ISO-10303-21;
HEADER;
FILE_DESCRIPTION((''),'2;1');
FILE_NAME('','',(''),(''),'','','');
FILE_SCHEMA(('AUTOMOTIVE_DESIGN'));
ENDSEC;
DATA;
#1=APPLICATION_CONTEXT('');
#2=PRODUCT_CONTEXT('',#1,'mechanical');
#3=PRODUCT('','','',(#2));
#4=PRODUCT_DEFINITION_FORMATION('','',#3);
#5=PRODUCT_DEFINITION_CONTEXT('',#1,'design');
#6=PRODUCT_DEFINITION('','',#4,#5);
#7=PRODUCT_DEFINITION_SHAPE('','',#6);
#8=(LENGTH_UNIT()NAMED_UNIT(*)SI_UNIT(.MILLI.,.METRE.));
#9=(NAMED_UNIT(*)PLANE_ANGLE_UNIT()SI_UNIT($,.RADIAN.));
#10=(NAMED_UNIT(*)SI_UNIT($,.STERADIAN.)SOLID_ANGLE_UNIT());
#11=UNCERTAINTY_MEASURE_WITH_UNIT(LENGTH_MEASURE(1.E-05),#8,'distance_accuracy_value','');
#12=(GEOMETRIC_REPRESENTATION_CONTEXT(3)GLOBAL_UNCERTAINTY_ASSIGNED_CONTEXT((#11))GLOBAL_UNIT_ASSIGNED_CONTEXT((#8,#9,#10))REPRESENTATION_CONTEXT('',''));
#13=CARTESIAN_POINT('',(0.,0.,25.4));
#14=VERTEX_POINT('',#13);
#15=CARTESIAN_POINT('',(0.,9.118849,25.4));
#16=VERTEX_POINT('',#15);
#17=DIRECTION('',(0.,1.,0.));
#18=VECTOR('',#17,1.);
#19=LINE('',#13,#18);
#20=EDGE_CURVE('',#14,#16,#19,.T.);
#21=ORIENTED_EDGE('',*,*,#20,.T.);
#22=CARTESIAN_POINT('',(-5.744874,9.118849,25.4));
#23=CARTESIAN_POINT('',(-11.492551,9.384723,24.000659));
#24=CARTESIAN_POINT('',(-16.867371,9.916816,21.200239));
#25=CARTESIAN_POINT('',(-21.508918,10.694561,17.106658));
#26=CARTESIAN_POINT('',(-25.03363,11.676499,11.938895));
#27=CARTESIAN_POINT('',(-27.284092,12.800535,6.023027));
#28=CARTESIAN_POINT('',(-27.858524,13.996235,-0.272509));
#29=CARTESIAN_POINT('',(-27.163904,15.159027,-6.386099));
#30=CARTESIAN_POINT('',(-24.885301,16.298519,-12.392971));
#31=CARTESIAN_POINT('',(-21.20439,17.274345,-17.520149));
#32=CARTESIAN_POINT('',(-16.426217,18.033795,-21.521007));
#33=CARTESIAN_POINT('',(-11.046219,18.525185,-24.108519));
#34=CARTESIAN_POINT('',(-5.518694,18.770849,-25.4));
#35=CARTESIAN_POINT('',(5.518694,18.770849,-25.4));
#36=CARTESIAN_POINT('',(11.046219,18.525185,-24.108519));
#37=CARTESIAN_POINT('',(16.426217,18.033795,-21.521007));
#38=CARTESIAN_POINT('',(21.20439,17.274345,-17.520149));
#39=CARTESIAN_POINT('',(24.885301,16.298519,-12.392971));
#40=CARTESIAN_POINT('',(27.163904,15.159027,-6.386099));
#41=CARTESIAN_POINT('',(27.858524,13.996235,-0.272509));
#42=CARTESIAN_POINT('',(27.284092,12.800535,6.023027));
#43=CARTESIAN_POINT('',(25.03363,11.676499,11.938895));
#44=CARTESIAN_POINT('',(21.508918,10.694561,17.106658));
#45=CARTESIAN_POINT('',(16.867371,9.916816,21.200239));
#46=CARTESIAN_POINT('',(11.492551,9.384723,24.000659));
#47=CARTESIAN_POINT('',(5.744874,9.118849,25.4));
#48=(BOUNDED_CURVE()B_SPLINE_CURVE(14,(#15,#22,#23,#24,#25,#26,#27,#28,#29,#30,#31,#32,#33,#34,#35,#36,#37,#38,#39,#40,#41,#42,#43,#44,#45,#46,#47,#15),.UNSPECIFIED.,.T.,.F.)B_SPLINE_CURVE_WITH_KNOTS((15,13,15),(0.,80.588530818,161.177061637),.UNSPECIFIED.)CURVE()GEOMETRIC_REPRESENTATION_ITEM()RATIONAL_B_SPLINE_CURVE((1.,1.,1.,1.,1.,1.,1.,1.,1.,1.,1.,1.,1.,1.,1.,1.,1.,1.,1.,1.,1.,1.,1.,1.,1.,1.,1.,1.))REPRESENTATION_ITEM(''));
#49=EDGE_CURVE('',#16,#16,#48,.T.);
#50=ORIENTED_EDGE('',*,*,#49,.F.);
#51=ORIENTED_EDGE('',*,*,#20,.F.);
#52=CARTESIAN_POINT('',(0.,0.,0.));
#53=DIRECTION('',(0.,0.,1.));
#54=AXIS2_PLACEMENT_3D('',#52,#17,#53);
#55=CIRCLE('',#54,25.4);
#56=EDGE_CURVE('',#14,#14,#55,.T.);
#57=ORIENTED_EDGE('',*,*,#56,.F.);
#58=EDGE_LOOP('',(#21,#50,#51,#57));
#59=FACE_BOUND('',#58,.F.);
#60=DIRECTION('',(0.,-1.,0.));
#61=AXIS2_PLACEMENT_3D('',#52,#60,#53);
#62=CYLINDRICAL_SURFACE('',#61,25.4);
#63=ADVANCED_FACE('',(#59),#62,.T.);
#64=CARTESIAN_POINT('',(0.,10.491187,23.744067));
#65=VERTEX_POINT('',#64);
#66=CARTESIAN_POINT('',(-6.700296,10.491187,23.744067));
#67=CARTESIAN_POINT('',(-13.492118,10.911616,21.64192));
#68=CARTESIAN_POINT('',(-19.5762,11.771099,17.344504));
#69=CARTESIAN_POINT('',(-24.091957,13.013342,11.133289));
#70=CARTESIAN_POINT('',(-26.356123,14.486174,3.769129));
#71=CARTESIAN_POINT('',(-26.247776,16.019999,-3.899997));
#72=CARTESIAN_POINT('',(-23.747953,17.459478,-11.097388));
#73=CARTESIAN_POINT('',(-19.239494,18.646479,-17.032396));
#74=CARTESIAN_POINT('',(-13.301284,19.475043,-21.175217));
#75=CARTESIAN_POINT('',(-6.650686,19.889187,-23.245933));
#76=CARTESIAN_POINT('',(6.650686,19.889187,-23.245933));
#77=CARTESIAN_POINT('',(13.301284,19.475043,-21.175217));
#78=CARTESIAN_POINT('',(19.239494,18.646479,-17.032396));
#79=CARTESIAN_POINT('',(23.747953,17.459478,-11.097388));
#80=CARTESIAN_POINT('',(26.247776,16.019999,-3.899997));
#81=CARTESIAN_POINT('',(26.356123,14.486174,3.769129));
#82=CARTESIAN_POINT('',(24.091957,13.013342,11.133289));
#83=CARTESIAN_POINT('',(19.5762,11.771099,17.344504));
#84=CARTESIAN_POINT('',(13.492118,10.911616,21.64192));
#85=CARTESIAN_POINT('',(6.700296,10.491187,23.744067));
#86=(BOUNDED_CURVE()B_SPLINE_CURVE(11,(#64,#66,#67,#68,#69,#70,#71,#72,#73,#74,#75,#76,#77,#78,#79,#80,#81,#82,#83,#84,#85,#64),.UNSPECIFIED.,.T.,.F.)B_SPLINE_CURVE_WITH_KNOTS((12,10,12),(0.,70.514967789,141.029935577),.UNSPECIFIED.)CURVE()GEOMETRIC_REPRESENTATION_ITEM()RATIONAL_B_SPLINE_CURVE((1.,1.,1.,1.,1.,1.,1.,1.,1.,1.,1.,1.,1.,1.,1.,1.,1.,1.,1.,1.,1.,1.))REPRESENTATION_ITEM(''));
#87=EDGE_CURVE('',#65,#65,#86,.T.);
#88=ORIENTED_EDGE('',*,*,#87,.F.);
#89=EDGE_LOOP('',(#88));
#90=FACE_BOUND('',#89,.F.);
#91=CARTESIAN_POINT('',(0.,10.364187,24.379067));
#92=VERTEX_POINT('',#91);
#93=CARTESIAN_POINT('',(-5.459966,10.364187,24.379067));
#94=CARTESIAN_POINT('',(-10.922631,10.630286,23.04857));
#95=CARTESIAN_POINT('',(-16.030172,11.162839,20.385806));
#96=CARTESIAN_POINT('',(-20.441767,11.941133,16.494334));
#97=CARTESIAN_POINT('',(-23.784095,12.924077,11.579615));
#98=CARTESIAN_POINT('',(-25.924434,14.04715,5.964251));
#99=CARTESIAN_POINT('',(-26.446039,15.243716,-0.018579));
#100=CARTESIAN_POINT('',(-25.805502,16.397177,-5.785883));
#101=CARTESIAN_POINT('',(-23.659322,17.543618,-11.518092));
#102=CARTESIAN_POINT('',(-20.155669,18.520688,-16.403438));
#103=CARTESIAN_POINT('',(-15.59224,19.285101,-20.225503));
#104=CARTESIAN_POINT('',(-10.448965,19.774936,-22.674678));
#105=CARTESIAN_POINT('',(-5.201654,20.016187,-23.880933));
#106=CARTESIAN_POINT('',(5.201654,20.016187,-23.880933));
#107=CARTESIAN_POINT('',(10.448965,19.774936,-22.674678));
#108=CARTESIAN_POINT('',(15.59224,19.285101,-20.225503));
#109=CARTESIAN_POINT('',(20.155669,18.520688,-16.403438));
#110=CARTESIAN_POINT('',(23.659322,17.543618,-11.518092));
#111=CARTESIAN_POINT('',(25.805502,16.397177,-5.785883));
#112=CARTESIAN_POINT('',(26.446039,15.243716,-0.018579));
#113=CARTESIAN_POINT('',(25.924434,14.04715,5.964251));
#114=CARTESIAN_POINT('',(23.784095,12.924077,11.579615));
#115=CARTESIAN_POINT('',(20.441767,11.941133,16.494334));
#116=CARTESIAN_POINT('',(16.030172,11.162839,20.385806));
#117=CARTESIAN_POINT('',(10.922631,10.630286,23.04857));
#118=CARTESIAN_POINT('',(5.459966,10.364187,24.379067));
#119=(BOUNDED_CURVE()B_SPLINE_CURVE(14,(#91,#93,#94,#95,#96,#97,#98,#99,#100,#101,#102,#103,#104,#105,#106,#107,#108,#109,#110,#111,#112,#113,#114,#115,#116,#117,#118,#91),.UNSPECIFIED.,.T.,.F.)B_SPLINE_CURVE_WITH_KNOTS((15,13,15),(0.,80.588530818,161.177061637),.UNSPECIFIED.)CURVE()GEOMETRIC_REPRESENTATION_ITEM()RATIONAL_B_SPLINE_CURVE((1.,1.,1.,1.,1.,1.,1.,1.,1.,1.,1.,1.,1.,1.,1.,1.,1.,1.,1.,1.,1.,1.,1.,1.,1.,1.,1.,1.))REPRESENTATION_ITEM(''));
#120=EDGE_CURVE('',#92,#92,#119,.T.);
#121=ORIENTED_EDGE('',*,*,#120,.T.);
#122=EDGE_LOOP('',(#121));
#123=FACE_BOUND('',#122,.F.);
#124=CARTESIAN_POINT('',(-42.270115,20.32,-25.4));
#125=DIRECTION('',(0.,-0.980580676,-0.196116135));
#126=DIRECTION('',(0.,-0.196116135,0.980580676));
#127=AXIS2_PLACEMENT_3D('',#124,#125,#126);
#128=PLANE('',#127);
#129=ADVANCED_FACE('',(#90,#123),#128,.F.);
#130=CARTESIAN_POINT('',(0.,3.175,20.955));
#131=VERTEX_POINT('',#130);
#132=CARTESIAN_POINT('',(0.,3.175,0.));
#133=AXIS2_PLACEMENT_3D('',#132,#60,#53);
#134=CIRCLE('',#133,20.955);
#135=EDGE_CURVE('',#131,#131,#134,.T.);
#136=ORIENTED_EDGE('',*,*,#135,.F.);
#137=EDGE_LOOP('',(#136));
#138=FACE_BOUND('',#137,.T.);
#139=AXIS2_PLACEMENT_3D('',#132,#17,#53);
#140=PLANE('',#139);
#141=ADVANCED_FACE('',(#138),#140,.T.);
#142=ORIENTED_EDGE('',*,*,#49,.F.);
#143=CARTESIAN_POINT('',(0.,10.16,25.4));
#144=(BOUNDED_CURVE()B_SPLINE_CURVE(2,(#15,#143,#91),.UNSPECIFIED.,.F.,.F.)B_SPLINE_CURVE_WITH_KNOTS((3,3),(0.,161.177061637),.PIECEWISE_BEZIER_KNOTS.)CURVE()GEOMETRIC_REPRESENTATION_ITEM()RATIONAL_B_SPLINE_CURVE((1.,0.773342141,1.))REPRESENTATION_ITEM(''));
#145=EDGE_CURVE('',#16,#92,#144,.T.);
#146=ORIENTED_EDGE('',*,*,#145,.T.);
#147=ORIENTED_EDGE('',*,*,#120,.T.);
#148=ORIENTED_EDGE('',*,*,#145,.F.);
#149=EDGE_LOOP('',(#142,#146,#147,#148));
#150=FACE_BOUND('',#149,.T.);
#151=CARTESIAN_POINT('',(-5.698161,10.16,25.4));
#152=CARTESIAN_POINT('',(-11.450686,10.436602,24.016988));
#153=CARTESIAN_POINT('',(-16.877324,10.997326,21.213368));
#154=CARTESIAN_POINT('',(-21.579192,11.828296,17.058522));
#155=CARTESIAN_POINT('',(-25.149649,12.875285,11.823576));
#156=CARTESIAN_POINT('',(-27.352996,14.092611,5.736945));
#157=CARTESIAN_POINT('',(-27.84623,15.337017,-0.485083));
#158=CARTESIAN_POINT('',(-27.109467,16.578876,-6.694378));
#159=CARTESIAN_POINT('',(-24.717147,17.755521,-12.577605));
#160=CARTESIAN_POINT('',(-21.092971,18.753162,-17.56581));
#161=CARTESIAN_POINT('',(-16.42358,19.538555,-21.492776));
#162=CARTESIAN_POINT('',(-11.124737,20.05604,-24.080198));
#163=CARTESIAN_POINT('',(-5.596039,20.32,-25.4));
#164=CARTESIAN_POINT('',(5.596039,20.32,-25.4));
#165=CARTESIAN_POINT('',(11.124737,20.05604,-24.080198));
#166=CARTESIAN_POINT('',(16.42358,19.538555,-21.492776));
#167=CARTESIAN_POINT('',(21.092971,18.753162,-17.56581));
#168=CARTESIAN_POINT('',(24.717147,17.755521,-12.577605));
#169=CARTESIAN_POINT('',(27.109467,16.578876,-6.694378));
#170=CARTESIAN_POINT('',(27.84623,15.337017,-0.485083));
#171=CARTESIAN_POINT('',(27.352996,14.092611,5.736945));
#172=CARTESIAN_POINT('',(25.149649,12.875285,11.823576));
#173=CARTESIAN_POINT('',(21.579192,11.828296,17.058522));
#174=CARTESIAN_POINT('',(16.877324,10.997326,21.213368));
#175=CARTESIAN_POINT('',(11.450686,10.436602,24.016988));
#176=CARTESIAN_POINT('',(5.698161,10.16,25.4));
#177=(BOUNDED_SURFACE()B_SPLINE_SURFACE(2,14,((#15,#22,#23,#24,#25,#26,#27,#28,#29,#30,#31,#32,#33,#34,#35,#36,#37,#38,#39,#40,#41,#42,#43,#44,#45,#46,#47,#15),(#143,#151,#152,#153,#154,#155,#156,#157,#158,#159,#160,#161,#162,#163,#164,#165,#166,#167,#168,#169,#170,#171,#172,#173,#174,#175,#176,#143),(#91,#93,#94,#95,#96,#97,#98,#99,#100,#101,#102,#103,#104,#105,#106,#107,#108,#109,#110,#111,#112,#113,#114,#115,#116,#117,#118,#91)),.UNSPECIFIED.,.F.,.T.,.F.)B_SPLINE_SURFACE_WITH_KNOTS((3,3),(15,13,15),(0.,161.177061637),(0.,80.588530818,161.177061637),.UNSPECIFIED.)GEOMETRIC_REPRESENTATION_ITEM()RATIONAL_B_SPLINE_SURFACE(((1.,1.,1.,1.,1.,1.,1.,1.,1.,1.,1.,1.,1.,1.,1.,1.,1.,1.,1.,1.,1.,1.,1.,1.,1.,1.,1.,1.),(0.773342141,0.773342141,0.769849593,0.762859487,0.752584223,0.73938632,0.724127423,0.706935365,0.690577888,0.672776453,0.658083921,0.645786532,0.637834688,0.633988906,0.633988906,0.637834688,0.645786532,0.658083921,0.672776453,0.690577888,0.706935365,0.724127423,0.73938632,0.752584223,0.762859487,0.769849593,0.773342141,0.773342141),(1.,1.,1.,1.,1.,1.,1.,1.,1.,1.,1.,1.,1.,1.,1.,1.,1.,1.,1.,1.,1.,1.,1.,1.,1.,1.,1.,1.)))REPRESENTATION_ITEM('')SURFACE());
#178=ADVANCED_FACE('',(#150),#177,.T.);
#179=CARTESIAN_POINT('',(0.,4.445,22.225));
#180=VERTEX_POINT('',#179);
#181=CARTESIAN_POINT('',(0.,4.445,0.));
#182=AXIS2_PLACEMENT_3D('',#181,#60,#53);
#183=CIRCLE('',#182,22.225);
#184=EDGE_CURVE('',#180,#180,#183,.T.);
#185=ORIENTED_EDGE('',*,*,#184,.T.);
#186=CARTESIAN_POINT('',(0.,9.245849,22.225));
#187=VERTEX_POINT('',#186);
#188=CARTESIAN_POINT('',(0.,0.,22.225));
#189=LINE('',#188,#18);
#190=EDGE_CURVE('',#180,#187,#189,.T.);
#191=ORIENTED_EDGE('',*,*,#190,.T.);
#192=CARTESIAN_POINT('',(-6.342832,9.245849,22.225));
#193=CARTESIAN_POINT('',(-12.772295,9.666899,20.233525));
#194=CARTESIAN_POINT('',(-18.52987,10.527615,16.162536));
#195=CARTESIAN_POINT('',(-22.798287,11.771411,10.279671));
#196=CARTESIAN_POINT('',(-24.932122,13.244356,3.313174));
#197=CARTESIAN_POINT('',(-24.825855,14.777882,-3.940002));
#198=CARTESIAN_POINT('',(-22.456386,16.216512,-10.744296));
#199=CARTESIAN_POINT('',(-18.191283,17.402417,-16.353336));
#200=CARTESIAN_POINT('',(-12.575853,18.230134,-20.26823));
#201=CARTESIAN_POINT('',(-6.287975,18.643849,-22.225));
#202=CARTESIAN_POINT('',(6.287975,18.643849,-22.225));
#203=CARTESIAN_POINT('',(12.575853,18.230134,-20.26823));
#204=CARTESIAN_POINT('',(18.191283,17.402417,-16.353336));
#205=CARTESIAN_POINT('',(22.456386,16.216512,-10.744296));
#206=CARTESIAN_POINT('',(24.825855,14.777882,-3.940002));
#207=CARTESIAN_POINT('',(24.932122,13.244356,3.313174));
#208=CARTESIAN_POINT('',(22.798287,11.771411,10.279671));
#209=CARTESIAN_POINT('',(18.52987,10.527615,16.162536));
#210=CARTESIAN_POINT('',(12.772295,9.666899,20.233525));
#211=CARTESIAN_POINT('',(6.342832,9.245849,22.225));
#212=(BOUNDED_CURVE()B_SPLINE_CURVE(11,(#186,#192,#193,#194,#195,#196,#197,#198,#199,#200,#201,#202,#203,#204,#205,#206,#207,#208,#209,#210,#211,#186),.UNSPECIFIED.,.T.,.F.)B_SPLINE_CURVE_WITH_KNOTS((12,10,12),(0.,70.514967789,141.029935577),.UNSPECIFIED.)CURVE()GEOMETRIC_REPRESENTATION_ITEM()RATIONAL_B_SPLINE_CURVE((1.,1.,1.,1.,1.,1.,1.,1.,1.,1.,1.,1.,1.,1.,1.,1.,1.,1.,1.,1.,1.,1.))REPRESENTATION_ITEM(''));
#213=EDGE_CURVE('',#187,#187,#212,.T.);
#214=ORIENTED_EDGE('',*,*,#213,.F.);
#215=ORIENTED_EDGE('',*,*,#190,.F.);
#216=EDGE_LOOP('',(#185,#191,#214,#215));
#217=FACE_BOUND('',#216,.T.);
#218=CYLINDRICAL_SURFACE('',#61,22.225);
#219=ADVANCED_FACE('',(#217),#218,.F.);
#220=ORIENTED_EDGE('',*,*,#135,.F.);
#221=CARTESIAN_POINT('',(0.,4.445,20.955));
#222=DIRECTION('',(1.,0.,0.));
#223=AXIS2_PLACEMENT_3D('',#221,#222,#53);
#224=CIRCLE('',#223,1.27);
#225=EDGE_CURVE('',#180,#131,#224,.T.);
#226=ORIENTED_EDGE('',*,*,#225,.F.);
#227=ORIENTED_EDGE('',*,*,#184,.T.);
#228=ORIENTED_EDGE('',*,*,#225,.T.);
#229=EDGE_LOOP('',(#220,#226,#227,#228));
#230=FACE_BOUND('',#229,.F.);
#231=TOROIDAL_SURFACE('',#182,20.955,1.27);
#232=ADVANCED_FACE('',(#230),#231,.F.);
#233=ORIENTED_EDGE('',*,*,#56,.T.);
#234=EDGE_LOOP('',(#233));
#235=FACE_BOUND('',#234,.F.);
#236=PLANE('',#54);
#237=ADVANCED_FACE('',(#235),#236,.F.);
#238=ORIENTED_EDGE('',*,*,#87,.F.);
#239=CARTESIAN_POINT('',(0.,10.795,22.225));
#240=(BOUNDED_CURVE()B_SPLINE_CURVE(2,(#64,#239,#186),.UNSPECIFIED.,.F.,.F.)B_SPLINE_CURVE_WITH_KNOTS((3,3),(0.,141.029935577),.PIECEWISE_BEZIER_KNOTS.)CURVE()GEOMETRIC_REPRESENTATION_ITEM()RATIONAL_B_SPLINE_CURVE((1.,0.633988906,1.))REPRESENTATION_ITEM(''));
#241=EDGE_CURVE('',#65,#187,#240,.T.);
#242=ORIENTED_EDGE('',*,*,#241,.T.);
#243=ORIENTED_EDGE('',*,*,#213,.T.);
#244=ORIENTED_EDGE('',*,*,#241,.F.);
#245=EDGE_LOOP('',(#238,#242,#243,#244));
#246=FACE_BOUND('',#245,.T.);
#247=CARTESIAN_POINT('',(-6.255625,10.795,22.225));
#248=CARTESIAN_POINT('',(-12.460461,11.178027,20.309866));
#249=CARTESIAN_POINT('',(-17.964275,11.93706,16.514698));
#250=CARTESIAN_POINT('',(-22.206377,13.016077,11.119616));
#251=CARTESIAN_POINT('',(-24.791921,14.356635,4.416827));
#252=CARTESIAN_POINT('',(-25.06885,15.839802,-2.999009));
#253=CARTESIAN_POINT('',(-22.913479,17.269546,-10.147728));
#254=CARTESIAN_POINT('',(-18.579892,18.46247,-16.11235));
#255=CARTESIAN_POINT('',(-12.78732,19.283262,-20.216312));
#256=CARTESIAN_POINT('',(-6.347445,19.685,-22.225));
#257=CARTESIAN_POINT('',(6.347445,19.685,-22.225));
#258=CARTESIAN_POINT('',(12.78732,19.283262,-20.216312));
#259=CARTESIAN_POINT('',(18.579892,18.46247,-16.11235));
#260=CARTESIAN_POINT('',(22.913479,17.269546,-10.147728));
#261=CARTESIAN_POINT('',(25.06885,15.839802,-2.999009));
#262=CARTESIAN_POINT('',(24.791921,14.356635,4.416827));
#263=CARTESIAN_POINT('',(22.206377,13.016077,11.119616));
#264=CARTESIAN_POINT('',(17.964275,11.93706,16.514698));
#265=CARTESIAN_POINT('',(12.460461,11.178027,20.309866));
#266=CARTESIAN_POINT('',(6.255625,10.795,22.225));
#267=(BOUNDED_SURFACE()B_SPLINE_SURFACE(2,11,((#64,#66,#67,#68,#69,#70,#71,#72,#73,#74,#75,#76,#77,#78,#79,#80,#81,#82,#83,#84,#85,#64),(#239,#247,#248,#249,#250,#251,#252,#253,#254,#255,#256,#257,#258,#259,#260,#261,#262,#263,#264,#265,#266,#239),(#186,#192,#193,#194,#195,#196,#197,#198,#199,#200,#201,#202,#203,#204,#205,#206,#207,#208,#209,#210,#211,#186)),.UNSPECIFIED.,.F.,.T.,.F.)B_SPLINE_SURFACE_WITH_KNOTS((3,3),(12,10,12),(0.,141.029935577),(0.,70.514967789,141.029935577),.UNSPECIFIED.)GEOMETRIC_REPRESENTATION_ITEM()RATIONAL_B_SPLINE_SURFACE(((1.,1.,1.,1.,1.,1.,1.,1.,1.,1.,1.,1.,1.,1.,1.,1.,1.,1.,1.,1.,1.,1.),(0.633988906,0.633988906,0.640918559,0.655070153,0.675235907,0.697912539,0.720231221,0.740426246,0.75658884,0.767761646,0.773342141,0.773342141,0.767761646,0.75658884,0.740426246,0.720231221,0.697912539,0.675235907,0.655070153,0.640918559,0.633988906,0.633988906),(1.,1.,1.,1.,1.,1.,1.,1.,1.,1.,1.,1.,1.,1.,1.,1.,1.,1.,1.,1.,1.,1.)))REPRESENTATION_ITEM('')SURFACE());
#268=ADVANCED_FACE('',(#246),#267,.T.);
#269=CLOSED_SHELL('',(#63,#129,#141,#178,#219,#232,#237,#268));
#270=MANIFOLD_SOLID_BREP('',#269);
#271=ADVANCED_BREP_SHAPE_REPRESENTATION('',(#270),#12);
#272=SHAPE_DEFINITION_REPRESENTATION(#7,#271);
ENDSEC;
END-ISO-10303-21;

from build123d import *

# Parameters (mm, degrees)
SKETCH1_R               = 25.4
BOSS_EXTRUDE1_DEPTH     = 20.32
SHELL1_T                = -3.175
CUT_EXTRUDE1_DEPTH      = 42.270115096
CUT_EXTRUDE1_DEPTH_BACK = 42.270115096
FILLET1_R               = 1.27


with BuildPart() as part:
    # Sketch1 → Boss-Extrude1 (new body)
    with BuildSketch(Plane(origin=(0, 0, 0), x_dir=(1, 0, 0), z_dir=(0, 1, 0))):
        with Locations(Location((0, 0, 0), (0, 0, 270))):
            Circle(SKETCH1_R)
    extrude(amount=BOSS_EXTRUDE1_DEPTH)

    # Shell1
    shell1_openings = [part.faces().sort_by_distance(p)[0] for p in [
        (0, 20.32, 0),
    ]]
    offset(amount=SHELL1_T, openings=shell1_openings, kind=Kind.INTERSECTION)

    # Sketch2 → Cut-Extrude1 (cut, two sides: drawn at the far end of the back side and taken through both)
    with BuildSketch(Plane(origin=(0, 0, 0), x_dir=(0, 0, -1), z_dir=(1, 0, 0)).offset(-CUT_EXTRUDE1_DEPTH_BACK)):
        Polygon((-25.4, 10.16), (-25.4, 20.32), (25.4, 20.32), align=None)
    extrude(amount=CUT_EXTRUDE1_DEPTH + CUT_EXTRUDE1_DEPTH_BACK, mode=Mode.SUBTRACT)

    # Fillet1
    fillet1_edges = [part.edges().sort_by_distance(p)[0] for p in [
        (-25.4, 15.240000004, -2e-08),
        (3.323e-06, 19.685, -22.225),
        (0, 3.175, -22.225),
    ]]
    fillet(fillet1_edges, radius=FILLET1_R)


solid = part.part
